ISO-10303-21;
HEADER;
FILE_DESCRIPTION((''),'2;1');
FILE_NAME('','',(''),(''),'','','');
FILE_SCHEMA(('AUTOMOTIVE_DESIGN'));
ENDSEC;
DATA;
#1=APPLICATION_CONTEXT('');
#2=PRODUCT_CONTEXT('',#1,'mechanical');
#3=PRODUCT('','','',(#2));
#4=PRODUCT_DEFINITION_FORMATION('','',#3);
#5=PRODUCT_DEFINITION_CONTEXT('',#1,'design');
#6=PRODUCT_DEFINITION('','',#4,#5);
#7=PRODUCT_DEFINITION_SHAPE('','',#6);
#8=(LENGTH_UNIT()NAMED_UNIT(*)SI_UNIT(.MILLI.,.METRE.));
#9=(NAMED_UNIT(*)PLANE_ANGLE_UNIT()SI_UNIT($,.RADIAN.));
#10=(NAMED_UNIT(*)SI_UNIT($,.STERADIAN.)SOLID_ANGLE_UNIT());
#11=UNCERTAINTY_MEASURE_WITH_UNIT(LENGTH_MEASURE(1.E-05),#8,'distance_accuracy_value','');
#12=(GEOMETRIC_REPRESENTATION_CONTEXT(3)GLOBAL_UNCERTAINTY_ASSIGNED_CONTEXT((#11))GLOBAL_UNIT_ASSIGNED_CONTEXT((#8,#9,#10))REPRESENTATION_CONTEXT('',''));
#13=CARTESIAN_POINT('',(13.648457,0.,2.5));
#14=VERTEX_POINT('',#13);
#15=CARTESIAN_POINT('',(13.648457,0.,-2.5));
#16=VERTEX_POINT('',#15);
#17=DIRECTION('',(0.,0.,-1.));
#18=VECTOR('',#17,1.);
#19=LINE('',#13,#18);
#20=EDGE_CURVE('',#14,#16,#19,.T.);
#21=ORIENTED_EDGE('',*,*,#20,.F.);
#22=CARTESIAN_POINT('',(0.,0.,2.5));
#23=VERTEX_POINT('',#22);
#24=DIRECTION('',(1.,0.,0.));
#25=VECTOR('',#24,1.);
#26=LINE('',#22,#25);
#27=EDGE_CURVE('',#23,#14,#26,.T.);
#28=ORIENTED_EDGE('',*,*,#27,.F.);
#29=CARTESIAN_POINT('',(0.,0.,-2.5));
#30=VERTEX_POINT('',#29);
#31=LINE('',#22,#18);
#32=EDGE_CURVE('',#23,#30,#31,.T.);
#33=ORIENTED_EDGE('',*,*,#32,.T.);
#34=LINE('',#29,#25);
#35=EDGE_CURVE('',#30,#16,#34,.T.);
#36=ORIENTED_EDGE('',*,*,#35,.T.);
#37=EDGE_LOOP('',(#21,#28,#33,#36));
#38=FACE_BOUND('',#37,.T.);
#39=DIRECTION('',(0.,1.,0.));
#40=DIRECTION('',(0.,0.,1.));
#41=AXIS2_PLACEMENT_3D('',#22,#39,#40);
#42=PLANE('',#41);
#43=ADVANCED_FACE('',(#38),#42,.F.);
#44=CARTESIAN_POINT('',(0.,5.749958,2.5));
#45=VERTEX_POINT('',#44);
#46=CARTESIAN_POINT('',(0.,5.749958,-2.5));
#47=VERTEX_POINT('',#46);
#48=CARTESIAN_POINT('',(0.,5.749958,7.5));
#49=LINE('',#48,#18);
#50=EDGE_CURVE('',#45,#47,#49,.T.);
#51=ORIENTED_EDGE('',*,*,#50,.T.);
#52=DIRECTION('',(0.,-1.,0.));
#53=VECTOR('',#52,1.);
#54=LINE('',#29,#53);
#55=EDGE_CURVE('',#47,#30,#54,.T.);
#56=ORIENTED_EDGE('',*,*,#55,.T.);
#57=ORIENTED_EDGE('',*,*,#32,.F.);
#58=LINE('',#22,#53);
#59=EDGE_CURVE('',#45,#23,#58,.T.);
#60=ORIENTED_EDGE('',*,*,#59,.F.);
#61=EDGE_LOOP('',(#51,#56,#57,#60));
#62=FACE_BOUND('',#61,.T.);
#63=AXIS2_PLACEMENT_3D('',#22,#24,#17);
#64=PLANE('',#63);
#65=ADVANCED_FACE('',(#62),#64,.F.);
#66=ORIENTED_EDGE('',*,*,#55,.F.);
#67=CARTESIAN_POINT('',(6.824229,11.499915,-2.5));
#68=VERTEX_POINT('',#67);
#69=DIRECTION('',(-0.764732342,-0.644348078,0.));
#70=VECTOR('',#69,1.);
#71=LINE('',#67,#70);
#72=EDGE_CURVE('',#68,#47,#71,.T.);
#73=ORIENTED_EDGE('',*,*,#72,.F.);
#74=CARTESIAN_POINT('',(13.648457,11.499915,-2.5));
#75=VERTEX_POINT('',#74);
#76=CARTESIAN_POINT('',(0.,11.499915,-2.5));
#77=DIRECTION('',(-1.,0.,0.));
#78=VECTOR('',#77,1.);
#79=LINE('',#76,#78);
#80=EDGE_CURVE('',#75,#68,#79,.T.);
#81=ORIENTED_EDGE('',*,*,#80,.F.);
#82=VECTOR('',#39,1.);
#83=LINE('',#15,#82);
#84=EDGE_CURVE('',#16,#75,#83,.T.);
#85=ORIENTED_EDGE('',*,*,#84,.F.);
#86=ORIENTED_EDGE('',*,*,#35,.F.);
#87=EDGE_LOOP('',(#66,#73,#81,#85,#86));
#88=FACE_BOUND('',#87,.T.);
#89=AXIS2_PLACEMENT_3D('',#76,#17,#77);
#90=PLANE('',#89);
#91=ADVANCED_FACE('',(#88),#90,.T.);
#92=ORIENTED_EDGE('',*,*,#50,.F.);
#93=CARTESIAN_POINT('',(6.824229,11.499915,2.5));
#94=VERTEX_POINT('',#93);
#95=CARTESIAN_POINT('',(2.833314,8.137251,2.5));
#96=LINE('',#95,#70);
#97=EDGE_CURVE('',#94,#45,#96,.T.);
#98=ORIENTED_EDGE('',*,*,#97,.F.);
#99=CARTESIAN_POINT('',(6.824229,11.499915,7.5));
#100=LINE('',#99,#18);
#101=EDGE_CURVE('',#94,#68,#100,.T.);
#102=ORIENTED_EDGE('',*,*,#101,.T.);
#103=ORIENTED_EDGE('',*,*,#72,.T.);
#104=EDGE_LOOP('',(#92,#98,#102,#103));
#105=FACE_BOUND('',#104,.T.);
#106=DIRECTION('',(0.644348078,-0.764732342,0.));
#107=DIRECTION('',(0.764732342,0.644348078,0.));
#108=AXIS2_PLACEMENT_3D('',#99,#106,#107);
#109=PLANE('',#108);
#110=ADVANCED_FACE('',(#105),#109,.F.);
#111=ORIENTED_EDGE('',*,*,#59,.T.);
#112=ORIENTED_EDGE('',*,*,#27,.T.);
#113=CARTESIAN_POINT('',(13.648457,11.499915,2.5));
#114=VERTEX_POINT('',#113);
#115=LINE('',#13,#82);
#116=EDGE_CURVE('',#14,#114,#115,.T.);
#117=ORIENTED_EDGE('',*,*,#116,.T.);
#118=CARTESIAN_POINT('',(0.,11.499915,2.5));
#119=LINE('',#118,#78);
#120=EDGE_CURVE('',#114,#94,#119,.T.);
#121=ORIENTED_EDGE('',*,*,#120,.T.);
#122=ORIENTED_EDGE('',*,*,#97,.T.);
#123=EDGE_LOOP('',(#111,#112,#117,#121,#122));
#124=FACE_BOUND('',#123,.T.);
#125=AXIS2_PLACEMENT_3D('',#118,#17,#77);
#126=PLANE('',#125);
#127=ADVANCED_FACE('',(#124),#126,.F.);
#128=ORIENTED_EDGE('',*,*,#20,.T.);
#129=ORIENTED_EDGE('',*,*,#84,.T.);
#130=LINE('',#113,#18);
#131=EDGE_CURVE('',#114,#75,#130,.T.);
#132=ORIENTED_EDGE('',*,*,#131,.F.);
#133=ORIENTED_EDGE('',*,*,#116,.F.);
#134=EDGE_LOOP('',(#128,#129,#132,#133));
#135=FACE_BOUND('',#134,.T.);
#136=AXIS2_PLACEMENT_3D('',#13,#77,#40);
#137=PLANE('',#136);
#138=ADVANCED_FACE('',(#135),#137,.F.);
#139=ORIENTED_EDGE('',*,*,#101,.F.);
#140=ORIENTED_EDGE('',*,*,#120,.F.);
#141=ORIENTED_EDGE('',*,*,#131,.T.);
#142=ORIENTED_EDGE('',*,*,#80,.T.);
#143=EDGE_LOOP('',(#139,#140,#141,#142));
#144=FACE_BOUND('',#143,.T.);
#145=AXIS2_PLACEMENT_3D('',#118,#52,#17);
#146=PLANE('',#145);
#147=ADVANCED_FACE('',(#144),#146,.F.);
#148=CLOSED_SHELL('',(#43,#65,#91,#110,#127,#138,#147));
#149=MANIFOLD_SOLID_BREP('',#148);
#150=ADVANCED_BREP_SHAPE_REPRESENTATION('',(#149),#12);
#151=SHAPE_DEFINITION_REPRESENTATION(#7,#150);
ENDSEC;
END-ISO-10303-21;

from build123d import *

# Parameters (mm, degrees)
SKETCH1_W          = 13.648457072
SKETCH1_H          = 11.499915192
EXTRUDE1_DEPTH     = 2.5
CUT_EXTRUDE1_DEPTH = 10


with BuildPart() as part:
    # Sketch1 → Extrude1 (new, symmetric)
    with BuildSketch(Plane.XY):
        with Locations((6.824228536, 5.749957596)):
            Rectangle(SKETCH1_W, SKETCH1_H)
    extrude(amount=EXTRUDE1_DEPTH, both=True)

    # Sketch2 → Cut-Extrude1 (cut)
    with BuildSketch(Plane(origin=(0, 0, -2.5), x_dir=(-1, 0, 0), z_dir=(0, 0, -1))):
        Polygon((-6.824228536, 11.499915192), (0, 5.749957596), (0, 11.499915192), align=None)
    extrude(amount=-CUT_EXTRUDE1_DEPTH, mode=Mode.SUBTRACT)


solid = part.part
